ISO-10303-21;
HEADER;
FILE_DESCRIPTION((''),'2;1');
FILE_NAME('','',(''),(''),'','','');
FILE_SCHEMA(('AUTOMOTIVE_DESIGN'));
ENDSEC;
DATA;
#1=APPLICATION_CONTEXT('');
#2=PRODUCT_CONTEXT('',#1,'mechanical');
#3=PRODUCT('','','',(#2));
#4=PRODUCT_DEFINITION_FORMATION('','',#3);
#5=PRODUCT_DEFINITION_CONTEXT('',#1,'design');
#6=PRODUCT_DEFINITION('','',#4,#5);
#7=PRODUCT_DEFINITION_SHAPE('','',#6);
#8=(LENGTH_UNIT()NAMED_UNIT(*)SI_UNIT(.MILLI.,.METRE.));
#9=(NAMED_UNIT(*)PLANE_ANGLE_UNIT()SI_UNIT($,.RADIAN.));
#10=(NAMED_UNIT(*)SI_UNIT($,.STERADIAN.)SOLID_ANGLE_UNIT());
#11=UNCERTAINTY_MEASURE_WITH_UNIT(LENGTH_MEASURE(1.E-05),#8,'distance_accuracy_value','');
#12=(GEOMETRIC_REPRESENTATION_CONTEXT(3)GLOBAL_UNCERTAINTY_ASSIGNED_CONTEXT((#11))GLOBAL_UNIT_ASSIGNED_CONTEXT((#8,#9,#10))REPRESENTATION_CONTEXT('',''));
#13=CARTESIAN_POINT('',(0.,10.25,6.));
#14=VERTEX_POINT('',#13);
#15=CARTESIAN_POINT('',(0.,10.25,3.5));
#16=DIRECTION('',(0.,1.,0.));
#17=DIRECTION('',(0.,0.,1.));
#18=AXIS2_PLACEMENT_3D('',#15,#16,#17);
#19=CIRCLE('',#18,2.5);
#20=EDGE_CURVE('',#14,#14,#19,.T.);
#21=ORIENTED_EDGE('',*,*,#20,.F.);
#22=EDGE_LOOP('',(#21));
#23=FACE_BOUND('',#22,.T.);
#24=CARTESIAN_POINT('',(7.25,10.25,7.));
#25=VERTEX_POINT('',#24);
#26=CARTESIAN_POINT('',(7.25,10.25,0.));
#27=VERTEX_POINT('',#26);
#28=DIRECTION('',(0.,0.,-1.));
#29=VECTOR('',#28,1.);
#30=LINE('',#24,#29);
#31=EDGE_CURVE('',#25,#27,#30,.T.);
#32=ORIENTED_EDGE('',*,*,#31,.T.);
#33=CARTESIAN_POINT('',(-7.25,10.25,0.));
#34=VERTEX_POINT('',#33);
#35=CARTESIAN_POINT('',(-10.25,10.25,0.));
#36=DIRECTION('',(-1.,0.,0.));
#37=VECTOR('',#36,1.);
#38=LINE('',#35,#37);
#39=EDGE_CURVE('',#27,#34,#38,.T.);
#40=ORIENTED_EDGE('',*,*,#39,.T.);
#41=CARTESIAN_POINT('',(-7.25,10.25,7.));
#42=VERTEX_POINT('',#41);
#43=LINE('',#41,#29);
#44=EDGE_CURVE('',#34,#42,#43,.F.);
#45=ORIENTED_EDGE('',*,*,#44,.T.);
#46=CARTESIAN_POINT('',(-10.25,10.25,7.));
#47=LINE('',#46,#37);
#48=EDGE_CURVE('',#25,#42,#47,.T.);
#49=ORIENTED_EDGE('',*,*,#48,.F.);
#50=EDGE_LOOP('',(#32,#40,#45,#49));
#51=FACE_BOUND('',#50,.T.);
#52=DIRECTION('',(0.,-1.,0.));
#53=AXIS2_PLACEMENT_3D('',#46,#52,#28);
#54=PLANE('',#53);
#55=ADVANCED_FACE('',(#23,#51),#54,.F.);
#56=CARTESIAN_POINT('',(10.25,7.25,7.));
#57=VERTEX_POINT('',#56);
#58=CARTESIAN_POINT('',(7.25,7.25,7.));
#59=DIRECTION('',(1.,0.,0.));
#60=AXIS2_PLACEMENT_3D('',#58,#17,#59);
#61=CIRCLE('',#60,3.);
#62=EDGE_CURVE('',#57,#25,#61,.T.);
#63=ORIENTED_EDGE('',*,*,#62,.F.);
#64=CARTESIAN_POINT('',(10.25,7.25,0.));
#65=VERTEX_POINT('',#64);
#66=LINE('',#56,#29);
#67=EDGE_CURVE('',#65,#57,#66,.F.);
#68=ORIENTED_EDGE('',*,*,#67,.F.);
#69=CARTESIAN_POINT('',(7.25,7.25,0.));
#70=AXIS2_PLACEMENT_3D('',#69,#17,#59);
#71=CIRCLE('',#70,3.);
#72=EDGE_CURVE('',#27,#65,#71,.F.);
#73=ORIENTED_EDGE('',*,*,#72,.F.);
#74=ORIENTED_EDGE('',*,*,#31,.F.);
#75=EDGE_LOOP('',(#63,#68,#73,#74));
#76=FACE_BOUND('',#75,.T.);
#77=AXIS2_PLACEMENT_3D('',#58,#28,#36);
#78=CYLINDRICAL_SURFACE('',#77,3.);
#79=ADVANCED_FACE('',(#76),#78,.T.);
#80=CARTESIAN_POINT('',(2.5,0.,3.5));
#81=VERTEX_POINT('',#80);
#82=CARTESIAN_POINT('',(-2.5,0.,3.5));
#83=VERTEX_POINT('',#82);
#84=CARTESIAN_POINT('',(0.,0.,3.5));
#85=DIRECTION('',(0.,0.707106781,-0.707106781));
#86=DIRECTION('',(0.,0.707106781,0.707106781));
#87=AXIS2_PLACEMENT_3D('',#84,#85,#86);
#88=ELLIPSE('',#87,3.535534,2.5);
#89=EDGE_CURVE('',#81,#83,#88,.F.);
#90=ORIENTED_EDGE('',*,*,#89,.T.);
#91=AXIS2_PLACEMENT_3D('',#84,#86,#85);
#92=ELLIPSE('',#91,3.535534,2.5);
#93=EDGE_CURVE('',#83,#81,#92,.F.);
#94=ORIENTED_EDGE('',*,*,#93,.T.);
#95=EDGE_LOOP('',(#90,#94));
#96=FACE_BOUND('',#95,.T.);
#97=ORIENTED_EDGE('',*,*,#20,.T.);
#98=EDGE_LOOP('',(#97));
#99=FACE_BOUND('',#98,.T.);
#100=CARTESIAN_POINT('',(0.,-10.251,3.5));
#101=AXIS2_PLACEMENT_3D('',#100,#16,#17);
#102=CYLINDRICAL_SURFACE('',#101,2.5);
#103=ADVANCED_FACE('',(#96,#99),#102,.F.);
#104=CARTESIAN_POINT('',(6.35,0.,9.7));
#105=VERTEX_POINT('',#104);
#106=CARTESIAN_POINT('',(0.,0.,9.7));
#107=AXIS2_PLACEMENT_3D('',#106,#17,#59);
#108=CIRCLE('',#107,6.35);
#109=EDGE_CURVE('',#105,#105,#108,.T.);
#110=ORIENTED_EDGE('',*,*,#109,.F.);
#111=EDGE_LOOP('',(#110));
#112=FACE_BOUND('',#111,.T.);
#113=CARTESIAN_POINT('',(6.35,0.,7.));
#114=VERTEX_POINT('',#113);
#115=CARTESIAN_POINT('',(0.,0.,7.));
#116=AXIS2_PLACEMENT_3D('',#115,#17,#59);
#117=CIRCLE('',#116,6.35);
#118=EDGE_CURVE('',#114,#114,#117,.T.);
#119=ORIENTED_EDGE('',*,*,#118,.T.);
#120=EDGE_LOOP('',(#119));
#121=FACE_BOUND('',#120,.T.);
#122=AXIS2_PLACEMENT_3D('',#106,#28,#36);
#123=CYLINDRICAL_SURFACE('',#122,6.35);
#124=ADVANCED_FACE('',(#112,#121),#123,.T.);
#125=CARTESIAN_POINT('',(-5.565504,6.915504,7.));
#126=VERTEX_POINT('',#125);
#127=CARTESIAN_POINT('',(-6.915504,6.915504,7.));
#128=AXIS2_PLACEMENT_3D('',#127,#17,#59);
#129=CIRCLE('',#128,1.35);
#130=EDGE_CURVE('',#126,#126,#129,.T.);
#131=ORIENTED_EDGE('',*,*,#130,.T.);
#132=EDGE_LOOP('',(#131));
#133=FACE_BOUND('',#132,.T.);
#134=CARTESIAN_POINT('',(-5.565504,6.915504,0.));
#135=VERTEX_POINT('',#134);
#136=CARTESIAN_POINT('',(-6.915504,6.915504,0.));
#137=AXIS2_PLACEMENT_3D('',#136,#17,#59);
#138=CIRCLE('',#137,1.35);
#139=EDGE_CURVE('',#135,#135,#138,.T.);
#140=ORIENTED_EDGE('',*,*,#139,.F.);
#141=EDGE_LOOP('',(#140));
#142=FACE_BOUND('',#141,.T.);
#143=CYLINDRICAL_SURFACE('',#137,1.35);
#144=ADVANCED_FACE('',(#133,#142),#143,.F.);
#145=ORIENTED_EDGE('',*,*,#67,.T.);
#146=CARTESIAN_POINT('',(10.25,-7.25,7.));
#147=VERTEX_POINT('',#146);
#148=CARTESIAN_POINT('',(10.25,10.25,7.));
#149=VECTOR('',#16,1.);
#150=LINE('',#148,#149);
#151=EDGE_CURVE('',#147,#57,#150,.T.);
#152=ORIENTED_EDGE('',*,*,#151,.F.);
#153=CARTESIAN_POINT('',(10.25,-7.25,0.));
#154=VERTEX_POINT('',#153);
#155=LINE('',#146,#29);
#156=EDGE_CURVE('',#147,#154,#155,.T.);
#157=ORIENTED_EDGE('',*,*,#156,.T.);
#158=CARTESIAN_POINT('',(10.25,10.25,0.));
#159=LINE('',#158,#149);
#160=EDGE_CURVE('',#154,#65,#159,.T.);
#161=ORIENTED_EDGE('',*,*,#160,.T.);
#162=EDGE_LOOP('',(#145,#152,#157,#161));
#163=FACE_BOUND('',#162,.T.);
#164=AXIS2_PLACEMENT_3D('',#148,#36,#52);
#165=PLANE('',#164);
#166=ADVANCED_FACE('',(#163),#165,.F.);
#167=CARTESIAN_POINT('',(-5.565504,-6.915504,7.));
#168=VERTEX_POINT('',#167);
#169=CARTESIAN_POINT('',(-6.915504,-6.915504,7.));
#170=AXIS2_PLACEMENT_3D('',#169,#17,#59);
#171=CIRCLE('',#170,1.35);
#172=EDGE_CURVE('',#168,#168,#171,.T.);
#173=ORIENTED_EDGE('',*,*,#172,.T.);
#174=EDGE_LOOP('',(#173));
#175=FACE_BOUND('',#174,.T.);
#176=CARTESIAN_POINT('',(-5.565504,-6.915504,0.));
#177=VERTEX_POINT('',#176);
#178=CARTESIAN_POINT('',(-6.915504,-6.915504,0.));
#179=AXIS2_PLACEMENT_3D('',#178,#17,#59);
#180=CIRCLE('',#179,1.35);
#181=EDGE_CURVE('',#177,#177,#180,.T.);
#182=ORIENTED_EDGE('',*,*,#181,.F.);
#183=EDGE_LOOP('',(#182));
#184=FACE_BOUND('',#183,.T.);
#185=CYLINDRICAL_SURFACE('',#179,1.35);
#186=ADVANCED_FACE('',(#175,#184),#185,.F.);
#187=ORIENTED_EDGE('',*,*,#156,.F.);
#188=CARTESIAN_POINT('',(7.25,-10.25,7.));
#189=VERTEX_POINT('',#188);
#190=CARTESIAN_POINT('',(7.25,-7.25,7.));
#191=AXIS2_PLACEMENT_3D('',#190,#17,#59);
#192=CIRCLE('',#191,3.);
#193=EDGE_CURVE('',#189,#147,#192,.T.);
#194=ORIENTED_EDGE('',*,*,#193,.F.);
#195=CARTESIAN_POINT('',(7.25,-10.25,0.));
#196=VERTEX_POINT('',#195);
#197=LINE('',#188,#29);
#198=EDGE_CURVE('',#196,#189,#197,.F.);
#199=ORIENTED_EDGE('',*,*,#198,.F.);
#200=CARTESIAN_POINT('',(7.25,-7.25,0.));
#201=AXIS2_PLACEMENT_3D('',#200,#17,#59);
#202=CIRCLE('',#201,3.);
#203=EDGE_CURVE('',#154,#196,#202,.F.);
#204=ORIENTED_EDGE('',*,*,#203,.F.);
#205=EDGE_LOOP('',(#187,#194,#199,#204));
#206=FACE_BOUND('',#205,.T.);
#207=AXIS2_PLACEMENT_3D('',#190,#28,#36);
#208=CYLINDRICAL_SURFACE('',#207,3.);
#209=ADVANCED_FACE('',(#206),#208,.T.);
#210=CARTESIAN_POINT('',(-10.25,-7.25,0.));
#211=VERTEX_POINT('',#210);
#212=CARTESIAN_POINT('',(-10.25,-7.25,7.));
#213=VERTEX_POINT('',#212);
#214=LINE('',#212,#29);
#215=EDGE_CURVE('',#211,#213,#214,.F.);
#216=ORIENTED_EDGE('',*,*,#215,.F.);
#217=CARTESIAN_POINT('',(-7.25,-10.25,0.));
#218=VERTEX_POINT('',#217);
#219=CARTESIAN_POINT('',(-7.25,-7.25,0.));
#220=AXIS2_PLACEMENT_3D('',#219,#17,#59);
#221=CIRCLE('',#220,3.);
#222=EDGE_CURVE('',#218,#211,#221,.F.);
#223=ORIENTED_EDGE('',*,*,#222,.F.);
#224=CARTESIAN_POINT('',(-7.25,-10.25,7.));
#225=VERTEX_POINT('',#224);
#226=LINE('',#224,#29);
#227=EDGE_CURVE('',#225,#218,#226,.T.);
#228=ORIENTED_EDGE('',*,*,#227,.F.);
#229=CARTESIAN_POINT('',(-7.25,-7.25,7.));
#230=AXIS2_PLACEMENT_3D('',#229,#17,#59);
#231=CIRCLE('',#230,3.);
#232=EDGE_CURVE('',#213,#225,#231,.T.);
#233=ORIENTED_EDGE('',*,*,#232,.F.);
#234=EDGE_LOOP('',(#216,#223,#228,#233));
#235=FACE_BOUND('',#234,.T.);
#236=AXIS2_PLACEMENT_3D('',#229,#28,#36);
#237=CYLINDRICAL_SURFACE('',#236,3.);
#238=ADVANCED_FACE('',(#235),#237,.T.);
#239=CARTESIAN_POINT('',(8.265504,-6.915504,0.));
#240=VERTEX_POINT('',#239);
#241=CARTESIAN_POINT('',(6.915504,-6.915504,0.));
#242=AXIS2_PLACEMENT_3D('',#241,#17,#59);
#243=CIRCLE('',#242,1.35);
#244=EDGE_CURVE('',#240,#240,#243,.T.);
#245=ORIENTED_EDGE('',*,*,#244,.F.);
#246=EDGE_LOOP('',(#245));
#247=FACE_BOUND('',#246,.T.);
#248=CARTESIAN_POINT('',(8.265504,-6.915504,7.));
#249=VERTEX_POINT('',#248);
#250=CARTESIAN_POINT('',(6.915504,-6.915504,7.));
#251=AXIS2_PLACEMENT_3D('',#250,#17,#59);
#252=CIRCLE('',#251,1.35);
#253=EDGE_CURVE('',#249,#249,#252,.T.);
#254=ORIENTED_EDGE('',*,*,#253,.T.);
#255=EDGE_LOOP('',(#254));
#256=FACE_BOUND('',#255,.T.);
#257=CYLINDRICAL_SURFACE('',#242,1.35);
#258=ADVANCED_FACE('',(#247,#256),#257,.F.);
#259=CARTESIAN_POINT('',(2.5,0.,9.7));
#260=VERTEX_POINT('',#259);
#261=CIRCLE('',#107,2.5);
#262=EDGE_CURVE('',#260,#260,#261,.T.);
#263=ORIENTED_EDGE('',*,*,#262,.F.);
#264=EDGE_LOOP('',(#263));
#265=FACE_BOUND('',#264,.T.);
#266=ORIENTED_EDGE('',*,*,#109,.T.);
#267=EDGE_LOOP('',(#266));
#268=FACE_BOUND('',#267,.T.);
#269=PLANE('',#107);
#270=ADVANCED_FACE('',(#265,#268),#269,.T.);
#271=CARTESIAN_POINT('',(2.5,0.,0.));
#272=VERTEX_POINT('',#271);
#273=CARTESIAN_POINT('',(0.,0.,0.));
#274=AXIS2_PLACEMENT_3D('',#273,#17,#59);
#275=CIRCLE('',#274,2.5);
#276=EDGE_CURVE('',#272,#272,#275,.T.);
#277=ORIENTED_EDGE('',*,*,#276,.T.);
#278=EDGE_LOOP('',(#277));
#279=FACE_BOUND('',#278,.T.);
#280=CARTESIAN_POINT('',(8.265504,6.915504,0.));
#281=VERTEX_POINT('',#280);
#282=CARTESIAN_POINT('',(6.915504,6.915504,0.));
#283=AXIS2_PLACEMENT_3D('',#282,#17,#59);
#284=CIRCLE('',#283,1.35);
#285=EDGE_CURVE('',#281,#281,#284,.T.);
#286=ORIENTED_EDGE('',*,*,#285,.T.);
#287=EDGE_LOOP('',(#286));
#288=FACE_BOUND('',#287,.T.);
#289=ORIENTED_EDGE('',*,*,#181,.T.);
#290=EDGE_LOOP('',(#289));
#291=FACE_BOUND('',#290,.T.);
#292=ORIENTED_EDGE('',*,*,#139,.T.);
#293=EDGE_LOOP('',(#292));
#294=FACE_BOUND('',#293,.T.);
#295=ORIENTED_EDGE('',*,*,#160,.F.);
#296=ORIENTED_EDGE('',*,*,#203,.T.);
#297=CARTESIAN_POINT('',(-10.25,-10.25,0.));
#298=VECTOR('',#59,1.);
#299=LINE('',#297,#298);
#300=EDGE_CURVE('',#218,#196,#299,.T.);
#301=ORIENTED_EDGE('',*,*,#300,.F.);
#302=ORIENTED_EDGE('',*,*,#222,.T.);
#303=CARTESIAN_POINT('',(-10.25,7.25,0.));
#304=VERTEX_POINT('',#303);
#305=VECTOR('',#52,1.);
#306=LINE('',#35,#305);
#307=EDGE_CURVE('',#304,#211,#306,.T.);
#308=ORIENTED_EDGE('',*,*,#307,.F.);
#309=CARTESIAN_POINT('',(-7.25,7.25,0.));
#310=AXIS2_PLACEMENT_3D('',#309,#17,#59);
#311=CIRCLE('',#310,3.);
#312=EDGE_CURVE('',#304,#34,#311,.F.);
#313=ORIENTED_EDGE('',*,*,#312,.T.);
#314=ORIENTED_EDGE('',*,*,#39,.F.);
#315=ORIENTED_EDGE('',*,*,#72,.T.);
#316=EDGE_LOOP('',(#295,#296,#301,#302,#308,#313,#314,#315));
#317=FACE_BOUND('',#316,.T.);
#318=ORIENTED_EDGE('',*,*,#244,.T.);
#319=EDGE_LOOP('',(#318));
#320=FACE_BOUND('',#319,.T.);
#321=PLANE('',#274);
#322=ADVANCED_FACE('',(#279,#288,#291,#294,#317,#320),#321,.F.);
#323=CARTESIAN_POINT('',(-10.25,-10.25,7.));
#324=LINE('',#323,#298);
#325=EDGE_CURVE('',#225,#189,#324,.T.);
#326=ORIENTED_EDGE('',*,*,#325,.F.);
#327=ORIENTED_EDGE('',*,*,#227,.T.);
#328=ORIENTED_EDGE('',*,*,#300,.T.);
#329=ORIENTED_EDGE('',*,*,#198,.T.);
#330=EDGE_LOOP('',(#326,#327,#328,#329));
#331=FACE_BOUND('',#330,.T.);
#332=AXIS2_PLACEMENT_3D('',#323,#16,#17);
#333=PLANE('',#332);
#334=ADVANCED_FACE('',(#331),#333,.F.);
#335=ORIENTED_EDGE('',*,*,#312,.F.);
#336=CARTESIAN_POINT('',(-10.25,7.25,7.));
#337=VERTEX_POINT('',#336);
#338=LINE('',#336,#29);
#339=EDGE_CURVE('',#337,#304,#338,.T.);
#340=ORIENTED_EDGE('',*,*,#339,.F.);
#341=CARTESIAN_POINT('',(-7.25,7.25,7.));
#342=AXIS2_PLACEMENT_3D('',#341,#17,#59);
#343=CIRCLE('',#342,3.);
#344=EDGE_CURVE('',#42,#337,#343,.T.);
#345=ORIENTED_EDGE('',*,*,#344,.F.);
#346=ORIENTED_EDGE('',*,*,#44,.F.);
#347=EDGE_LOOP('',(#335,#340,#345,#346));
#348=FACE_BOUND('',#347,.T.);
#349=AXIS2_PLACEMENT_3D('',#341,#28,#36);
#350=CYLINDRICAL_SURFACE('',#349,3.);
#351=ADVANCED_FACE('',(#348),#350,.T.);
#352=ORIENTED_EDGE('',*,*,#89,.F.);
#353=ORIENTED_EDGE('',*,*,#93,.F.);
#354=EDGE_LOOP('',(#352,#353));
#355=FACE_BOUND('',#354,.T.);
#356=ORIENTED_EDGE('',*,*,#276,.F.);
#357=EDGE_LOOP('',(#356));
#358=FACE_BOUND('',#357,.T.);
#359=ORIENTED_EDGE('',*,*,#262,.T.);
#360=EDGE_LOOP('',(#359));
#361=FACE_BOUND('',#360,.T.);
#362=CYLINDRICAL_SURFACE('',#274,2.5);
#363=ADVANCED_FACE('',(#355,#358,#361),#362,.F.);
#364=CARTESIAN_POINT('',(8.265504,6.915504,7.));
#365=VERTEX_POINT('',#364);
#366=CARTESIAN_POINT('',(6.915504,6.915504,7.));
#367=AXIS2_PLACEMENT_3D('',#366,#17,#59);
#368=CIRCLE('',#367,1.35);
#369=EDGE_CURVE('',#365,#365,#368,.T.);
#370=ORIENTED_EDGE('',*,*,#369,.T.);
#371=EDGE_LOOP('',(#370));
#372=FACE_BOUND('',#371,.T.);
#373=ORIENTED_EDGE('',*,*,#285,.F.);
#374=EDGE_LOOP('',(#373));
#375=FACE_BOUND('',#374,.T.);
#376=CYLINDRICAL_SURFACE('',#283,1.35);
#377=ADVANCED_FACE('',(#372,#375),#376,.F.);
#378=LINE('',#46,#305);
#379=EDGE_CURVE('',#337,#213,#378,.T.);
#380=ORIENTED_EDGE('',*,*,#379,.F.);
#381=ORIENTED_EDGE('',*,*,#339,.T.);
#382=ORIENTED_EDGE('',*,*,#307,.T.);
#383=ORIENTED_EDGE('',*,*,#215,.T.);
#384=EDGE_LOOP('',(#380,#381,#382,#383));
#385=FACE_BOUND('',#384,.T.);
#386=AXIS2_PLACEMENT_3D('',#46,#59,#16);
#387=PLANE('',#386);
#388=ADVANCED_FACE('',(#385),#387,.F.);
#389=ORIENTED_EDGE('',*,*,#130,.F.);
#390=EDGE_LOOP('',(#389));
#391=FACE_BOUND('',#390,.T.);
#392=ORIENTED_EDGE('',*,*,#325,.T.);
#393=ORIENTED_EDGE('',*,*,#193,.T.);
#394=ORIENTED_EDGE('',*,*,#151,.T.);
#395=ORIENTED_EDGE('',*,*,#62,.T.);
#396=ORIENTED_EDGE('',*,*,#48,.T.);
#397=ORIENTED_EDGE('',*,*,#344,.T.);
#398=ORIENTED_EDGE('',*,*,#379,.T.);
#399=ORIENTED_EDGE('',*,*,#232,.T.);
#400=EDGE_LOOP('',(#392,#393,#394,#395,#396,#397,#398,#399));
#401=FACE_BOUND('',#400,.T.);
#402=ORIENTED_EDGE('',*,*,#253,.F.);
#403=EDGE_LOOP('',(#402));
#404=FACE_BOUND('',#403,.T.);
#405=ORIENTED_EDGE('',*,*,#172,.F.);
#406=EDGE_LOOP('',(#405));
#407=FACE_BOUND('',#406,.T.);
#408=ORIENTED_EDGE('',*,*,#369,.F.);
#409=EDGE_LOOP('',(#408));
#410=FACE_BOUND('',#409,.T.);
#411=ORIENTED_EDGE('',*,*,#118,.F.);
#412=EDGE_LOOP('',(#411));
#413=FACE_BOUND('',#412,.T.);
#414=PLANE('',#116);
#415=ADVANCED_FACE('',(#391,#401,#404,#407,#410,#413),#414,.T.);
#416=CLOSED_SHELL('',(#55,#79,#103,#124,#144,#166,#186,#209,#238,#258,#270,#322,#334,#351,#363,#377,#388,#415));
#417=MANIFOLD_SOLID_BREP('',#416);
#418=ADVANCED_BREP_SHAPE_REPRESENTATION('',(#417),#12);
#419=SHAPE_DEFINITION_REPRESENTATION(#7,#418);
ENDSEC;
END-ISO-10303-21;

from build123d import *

# Parameters (mm, degrees)
CROQUIS1_W              = 20.5
CROQUIS1_H              = 20.5
SALIENTE_EXTRUIR1_DEPTH = 7
REDONDEO1_R             = 3
CROQUIS2_R              = 6.35
SALIENTE_EXTRUIR2_DEPTH = 2.7
CROQUIS3_R              = 2.5
CORTAR_EXTRUIR1_DEPTH   = 10.7
CROQUIS4_R              = 1.35
CORTAR_EXTRUIR2_DEPTH   = 8
CORTAR_EXTRUIR3_REACH   = 22.5
CROQUIS5_R              = 2.5


with BuildPart() as part:
    # Croquis1 → Saliente-Extruir1 (new body)
    with BuildSketch(Plane.XY):
        Rectangle(CROQUIS1_W, CROQUIS1_H)
    extrude(amount=SALIENTE_EXTRUIR1_DEPTH)

    # Redondeo1
    redondeo1_edges = [part.edges().sort_by_distance(p)[0] for p in [
        (10.25, -10.25, 3.5),
        (-10.25, -10.25, 3.5),
        (-10.25, 10.25, 3.5),
        (10.25, 10.25, 3.5),
    ]]
    fillet(redondeo1_edges, radius=REDONDEO1_R)

    # Croquis2 → Saliente-Extruir2 (add)
    with BuildSketch(Plane.XY.offset(7)):
        Circle(CROQUIS2_R)
    extrude(amount=SALIENTE_EXTRUIR2_DEPTH)

    # Croquis3 → Cortar-Extruir1 (cut, through all)
    with BuildSketch(Plane.XY.offset(9.7)):
        Circle(CROQUIS3_R)
    extrude(amount=-CORTAR_EXTRUIR1_DEPTH, mode=Mode.SUBTRACT)

    # Croquis4 → Cortar-Extruir2 (cut, through all)
    with BuildSketch(Plane.XY.offset(7)):
        with Locations((-6.91550432, 6.91550432)):
            Circle(CROQUIS4_R)
        with Locations((6.91550432, 6.91550432)):
            Circle(CROQUIS4_R)
        with Locations((6.91550432, -6.91550432)):
            Circle(CROQUIS4_R)
        with Locations((-6.91550432, -6.91550432)):
            Circle(CROQUIS4_R)
    extrude(amount=-CORTAR_EXTRUIR2_DEPTH, mode=Mode.SUBTRACT)

    # Croquis5 → Cortar-Extruir3 (cut, up to next)
    with BuildSketch(Plane(origin=(0, 10.25, 0), x_dir=(1, 0, 0), z_dir=(0, 1, 0)), mode=Mode.PRIVATE) as cortar_extruir3_sk1:
        with Locations((0, -3.5)):
            Circle(CROQUIS5_R)
    cortar_extruir3_tool1 = extrude(cortar_extruir3_sk1.sketch, amount=-CORTAR_EXTRUIR3_REACH, mode=Mode.PRIVATE) & part.part
    add(cortar_extruir3_tool1.solids().sort_by_distance((0, 10.25, 3.5))[0], mode=Mode.SUBTRACT)


solid = part.part
